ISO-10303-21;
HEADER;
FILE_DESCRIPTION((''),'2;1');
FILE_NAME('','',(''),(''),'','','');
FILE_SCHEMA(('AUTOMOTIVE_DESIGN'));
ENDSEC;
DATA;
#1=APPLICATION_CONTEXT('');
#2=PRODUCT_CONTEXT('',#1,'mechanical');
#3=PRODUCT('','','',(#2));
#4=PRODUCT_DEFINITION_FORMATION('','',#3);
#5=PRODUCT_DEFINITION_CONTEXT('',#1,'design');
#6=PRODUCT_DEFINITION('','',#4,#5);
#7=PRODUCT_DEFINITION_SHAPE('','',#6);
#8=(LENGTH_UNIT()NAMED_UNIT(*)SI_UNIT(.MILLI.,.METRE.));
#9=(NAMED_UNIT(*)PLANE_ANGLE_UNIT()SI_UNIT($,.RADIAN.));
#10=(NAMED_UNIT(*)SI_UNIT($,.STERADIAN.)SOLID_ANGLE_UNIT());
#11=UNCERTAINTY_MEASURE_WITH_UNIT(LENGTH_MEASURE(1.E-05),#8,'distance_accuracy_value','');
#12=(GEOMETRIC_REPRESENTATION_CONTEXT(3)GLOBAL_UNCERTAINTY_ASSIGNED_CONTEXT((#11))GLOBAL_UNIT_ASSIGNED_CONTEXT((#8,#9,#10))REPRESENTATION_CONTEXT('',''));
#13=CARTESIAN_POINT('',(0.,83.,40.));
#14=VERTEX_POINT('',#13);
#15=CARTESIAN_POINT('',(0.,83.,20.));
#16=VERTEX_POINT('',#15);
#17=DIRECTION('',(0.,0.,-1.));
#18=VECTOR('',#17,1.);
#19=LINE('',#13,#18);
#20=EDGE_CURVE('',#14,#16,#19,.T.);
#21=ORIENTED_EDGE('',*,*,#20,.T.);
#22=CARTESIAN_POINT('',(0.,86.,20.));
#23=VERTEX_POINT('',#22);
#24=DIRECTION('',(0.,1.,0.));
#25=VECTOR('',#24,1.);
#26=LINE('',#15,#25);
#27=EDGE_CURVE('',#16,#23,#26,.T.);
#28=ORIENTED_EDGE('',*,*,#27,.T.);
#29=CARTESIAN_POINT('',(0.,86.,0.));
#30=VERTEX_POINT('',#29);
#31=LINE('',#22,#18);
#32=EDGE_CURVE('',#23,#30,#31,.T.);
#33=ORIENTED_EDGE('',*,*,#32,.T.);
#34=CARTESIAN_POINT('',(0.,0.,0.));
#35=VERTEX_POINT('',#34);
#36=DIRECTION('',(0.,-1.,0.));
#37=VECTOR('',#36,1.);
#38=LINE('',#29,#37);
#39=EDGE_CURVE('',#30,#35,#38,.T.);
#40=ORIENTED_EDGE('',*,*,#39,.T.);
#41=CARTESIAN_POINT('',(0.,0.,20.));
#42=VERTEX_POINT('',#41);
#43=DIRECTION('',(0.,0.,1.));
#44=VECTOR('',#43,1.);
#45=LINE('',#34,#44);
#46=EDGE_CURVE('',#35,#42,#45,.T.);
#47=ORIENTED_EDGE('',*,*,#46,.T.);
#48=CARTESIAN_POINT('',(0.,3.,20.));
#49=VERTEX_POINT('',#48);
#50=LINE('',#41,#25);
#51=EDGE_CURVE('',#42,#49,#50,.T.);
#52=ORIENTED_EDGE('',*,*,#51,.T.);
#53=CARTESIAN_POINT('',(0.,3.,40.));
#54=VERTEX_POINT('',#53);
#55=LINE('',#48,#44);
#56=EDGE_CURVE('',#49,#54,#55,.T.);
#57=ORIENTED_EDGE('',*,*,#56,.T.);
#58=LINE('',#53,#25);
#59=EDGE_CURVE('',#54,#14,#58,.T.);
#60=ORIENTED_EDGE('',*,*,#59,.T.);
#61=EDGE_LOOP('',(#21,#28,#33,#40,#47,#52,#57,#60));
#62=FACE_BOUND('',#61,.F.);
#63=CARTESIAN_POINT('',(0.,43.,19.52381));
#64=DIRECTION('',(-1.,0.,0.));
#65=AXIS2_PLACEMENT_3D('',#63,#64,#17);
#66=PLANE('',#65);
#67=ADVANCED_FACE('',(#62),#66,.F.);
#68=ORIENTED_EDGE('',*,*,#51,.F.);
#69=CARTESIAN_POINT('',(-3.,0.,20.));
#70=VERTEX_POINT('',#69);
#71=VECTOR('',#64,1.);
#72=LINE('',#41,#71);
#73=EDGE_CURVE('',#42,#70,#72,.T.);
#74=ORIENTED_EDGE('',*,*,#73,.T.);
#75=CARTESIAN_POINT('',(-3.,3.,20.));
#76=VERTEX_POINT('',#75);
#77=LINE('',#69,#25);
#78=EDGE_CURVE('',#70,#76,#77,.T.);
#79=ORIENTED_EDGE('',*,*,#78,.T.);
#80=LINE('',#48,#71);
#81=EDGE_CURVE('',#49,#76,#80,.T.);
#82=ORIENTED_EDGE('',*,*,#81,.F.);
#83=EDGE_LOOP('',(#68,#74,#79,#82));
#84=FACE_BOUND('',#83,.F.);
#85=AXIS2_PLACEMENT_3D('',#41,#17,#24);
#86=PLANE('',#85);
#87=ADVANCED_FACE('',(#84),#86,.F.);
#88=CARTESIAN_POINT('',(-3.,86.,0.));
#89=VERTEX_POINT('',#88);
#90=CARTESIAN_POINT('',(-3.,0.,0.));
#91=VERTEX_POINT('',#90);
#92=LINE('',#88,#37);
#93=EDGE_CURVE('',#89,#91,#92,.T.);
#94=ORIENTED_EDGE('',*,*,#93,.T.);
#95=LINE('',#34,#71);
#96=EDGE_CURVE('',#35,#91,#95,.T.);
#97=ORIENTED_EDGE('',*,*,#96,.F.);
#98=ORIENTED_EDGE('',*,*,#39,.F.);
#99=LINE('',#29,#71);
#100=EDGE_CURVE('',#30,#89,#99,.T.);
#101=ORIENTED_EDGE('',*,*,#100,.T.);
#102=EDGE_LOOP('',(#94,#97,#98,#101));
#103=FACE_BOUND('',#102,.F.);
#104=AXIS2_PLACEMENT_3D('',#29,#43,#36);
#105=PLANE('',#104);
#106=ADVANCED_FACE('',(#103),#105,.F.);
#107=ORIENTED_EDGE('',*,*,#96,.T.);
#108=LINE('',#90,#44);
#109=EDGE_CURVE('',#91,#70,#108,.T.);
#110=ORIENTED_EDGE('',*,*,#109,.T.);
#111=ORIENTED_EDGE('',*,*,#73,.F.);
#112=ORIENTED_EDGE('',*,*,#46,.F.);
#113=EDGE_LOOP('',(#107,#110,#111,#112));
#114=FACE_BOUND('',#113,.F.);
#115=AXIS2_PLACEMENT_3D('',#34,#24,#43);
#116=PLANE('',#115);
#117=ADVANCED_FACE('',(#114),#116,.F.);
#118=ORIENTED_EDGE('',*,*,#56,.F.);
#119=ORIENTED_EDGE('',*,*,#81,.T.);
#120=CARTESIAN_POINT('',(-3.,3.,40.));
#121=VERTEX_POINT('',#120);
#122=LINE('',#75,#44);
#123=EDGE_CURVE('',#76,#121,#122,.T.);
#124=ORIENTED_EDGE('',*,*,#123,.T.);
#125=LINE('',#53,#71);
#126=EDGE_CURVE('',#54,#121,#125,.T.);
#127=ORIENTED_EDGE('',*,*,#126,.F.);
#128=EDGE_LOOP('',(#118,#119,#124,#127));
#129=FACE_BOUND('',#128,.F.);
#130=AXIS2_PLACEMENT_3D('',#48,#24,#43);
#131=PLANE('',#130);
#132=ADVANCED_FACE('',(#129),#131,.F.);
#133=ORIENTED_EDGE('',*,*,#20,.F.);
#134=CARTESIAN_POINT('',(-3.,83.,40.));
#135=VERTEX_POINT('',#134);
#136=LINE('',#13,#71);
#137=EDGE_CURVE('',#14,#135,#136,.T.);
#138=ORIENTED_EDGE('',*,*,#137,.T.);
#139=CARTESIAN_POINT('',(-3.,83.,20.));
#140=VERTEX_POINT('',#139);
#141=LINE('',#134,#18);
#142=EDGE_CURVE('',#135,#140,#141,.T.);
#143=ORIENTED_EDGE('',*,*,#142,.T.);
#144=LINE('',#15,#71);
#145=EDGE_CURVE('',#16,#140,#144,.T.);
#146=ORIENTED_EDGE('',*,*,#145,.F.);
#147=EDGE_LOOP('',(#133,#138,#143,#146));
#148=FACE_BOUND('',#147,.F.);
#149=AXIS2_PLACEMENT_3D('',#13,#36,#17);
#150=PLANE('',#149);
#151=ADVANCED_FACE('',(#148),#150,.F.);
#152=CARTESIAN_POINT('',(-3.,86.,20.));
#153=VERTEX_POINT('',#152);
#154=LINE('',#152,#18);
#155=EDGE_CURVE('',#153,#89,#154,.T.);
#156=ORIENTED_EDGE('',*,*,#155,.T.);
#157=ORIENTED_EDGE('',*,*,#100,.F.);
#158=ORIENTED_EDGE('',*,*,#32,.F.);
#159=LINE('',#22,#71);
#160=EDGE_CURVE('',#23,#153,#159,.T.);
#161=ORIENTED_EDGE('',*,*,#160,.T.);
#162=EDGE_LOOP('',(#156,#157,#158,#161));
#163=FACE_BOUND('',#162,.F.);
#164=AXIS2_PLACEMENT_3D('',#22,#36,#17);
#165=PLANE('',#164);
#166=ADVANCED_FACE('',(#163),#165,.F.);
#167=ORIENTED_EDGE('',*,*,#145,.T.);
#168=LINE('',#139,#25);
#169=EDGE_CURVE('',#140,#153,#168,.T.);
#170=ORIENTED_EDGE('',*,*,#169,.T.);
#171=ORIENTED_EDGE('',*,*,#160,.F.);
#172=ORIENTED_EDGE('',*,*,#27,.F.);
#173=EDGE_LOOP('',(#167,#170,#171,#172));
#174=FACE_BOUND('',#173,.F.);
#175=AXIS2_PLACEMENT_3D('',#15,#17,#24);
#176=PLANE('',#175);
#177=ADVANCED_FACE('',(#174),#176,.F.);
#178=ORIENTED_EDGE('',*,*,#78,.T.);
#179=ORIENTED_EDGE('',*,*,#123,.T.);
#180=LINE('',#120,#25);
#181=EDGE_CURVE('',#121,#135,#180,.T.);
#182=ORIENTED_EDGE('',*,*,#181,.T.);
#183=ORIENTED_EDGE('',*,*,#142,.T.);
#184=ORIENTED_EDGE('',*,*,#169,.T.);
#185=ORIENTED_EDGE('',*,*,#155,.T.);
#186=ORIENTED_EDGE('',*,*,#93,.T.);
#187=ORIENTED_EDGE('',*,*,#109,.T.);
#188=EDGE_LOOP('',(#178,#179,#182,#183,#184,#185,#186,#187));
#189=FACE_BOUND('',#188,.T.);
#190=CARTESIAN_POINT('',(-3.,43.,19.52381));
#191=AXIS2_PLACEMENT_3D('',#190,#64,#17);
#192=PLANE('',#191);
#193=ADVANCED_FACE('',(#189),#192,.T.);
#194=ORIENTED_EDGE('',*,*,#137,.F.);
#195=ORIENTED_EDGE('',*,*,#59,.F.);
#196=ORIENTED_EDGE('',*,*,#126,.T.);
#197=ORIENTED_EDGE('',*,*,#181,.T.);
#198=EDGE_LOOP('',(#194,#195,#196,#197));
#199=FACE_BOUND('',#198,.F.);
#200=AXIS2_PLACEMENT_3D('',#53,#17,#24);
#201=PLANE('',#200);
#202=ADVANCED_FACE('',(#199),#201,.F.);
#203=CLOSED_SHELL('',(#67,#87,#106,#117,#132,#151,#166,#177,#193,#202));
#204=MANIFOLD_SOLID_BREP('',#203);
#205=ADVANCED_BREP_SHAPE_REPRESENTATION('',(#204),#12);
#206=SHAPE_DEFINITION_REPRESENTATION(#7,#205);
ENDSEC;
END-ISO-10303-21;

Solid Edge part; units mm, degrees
sketch "Sketch1" plane through (0, 0, 0) normal (1, 0, 0) x (0, 1, 0)
  line L0 (3, 40) -> (83, 40)
  line L1 (83, 40) -> (83, 20)
  line L2 (83, 20) -> (86, 20)
  line L3 (86, 20) -> (86, 0)
  line L4 (86, 0) -> (0, 0)
  line L5 (0, 0) -> (0, 20)
  line L6 (0, 20) -> (3, 20)
  line L7 (3, 20) -> (3, 40)
  dimension "D1" = 20
  dimension "D2" = 3
  dimension "D3" = 80
  dimension "D4" = 20
extrude "Protrusion1" add sketch "Sketch1" against normal blind 3
properties material "Acier"
